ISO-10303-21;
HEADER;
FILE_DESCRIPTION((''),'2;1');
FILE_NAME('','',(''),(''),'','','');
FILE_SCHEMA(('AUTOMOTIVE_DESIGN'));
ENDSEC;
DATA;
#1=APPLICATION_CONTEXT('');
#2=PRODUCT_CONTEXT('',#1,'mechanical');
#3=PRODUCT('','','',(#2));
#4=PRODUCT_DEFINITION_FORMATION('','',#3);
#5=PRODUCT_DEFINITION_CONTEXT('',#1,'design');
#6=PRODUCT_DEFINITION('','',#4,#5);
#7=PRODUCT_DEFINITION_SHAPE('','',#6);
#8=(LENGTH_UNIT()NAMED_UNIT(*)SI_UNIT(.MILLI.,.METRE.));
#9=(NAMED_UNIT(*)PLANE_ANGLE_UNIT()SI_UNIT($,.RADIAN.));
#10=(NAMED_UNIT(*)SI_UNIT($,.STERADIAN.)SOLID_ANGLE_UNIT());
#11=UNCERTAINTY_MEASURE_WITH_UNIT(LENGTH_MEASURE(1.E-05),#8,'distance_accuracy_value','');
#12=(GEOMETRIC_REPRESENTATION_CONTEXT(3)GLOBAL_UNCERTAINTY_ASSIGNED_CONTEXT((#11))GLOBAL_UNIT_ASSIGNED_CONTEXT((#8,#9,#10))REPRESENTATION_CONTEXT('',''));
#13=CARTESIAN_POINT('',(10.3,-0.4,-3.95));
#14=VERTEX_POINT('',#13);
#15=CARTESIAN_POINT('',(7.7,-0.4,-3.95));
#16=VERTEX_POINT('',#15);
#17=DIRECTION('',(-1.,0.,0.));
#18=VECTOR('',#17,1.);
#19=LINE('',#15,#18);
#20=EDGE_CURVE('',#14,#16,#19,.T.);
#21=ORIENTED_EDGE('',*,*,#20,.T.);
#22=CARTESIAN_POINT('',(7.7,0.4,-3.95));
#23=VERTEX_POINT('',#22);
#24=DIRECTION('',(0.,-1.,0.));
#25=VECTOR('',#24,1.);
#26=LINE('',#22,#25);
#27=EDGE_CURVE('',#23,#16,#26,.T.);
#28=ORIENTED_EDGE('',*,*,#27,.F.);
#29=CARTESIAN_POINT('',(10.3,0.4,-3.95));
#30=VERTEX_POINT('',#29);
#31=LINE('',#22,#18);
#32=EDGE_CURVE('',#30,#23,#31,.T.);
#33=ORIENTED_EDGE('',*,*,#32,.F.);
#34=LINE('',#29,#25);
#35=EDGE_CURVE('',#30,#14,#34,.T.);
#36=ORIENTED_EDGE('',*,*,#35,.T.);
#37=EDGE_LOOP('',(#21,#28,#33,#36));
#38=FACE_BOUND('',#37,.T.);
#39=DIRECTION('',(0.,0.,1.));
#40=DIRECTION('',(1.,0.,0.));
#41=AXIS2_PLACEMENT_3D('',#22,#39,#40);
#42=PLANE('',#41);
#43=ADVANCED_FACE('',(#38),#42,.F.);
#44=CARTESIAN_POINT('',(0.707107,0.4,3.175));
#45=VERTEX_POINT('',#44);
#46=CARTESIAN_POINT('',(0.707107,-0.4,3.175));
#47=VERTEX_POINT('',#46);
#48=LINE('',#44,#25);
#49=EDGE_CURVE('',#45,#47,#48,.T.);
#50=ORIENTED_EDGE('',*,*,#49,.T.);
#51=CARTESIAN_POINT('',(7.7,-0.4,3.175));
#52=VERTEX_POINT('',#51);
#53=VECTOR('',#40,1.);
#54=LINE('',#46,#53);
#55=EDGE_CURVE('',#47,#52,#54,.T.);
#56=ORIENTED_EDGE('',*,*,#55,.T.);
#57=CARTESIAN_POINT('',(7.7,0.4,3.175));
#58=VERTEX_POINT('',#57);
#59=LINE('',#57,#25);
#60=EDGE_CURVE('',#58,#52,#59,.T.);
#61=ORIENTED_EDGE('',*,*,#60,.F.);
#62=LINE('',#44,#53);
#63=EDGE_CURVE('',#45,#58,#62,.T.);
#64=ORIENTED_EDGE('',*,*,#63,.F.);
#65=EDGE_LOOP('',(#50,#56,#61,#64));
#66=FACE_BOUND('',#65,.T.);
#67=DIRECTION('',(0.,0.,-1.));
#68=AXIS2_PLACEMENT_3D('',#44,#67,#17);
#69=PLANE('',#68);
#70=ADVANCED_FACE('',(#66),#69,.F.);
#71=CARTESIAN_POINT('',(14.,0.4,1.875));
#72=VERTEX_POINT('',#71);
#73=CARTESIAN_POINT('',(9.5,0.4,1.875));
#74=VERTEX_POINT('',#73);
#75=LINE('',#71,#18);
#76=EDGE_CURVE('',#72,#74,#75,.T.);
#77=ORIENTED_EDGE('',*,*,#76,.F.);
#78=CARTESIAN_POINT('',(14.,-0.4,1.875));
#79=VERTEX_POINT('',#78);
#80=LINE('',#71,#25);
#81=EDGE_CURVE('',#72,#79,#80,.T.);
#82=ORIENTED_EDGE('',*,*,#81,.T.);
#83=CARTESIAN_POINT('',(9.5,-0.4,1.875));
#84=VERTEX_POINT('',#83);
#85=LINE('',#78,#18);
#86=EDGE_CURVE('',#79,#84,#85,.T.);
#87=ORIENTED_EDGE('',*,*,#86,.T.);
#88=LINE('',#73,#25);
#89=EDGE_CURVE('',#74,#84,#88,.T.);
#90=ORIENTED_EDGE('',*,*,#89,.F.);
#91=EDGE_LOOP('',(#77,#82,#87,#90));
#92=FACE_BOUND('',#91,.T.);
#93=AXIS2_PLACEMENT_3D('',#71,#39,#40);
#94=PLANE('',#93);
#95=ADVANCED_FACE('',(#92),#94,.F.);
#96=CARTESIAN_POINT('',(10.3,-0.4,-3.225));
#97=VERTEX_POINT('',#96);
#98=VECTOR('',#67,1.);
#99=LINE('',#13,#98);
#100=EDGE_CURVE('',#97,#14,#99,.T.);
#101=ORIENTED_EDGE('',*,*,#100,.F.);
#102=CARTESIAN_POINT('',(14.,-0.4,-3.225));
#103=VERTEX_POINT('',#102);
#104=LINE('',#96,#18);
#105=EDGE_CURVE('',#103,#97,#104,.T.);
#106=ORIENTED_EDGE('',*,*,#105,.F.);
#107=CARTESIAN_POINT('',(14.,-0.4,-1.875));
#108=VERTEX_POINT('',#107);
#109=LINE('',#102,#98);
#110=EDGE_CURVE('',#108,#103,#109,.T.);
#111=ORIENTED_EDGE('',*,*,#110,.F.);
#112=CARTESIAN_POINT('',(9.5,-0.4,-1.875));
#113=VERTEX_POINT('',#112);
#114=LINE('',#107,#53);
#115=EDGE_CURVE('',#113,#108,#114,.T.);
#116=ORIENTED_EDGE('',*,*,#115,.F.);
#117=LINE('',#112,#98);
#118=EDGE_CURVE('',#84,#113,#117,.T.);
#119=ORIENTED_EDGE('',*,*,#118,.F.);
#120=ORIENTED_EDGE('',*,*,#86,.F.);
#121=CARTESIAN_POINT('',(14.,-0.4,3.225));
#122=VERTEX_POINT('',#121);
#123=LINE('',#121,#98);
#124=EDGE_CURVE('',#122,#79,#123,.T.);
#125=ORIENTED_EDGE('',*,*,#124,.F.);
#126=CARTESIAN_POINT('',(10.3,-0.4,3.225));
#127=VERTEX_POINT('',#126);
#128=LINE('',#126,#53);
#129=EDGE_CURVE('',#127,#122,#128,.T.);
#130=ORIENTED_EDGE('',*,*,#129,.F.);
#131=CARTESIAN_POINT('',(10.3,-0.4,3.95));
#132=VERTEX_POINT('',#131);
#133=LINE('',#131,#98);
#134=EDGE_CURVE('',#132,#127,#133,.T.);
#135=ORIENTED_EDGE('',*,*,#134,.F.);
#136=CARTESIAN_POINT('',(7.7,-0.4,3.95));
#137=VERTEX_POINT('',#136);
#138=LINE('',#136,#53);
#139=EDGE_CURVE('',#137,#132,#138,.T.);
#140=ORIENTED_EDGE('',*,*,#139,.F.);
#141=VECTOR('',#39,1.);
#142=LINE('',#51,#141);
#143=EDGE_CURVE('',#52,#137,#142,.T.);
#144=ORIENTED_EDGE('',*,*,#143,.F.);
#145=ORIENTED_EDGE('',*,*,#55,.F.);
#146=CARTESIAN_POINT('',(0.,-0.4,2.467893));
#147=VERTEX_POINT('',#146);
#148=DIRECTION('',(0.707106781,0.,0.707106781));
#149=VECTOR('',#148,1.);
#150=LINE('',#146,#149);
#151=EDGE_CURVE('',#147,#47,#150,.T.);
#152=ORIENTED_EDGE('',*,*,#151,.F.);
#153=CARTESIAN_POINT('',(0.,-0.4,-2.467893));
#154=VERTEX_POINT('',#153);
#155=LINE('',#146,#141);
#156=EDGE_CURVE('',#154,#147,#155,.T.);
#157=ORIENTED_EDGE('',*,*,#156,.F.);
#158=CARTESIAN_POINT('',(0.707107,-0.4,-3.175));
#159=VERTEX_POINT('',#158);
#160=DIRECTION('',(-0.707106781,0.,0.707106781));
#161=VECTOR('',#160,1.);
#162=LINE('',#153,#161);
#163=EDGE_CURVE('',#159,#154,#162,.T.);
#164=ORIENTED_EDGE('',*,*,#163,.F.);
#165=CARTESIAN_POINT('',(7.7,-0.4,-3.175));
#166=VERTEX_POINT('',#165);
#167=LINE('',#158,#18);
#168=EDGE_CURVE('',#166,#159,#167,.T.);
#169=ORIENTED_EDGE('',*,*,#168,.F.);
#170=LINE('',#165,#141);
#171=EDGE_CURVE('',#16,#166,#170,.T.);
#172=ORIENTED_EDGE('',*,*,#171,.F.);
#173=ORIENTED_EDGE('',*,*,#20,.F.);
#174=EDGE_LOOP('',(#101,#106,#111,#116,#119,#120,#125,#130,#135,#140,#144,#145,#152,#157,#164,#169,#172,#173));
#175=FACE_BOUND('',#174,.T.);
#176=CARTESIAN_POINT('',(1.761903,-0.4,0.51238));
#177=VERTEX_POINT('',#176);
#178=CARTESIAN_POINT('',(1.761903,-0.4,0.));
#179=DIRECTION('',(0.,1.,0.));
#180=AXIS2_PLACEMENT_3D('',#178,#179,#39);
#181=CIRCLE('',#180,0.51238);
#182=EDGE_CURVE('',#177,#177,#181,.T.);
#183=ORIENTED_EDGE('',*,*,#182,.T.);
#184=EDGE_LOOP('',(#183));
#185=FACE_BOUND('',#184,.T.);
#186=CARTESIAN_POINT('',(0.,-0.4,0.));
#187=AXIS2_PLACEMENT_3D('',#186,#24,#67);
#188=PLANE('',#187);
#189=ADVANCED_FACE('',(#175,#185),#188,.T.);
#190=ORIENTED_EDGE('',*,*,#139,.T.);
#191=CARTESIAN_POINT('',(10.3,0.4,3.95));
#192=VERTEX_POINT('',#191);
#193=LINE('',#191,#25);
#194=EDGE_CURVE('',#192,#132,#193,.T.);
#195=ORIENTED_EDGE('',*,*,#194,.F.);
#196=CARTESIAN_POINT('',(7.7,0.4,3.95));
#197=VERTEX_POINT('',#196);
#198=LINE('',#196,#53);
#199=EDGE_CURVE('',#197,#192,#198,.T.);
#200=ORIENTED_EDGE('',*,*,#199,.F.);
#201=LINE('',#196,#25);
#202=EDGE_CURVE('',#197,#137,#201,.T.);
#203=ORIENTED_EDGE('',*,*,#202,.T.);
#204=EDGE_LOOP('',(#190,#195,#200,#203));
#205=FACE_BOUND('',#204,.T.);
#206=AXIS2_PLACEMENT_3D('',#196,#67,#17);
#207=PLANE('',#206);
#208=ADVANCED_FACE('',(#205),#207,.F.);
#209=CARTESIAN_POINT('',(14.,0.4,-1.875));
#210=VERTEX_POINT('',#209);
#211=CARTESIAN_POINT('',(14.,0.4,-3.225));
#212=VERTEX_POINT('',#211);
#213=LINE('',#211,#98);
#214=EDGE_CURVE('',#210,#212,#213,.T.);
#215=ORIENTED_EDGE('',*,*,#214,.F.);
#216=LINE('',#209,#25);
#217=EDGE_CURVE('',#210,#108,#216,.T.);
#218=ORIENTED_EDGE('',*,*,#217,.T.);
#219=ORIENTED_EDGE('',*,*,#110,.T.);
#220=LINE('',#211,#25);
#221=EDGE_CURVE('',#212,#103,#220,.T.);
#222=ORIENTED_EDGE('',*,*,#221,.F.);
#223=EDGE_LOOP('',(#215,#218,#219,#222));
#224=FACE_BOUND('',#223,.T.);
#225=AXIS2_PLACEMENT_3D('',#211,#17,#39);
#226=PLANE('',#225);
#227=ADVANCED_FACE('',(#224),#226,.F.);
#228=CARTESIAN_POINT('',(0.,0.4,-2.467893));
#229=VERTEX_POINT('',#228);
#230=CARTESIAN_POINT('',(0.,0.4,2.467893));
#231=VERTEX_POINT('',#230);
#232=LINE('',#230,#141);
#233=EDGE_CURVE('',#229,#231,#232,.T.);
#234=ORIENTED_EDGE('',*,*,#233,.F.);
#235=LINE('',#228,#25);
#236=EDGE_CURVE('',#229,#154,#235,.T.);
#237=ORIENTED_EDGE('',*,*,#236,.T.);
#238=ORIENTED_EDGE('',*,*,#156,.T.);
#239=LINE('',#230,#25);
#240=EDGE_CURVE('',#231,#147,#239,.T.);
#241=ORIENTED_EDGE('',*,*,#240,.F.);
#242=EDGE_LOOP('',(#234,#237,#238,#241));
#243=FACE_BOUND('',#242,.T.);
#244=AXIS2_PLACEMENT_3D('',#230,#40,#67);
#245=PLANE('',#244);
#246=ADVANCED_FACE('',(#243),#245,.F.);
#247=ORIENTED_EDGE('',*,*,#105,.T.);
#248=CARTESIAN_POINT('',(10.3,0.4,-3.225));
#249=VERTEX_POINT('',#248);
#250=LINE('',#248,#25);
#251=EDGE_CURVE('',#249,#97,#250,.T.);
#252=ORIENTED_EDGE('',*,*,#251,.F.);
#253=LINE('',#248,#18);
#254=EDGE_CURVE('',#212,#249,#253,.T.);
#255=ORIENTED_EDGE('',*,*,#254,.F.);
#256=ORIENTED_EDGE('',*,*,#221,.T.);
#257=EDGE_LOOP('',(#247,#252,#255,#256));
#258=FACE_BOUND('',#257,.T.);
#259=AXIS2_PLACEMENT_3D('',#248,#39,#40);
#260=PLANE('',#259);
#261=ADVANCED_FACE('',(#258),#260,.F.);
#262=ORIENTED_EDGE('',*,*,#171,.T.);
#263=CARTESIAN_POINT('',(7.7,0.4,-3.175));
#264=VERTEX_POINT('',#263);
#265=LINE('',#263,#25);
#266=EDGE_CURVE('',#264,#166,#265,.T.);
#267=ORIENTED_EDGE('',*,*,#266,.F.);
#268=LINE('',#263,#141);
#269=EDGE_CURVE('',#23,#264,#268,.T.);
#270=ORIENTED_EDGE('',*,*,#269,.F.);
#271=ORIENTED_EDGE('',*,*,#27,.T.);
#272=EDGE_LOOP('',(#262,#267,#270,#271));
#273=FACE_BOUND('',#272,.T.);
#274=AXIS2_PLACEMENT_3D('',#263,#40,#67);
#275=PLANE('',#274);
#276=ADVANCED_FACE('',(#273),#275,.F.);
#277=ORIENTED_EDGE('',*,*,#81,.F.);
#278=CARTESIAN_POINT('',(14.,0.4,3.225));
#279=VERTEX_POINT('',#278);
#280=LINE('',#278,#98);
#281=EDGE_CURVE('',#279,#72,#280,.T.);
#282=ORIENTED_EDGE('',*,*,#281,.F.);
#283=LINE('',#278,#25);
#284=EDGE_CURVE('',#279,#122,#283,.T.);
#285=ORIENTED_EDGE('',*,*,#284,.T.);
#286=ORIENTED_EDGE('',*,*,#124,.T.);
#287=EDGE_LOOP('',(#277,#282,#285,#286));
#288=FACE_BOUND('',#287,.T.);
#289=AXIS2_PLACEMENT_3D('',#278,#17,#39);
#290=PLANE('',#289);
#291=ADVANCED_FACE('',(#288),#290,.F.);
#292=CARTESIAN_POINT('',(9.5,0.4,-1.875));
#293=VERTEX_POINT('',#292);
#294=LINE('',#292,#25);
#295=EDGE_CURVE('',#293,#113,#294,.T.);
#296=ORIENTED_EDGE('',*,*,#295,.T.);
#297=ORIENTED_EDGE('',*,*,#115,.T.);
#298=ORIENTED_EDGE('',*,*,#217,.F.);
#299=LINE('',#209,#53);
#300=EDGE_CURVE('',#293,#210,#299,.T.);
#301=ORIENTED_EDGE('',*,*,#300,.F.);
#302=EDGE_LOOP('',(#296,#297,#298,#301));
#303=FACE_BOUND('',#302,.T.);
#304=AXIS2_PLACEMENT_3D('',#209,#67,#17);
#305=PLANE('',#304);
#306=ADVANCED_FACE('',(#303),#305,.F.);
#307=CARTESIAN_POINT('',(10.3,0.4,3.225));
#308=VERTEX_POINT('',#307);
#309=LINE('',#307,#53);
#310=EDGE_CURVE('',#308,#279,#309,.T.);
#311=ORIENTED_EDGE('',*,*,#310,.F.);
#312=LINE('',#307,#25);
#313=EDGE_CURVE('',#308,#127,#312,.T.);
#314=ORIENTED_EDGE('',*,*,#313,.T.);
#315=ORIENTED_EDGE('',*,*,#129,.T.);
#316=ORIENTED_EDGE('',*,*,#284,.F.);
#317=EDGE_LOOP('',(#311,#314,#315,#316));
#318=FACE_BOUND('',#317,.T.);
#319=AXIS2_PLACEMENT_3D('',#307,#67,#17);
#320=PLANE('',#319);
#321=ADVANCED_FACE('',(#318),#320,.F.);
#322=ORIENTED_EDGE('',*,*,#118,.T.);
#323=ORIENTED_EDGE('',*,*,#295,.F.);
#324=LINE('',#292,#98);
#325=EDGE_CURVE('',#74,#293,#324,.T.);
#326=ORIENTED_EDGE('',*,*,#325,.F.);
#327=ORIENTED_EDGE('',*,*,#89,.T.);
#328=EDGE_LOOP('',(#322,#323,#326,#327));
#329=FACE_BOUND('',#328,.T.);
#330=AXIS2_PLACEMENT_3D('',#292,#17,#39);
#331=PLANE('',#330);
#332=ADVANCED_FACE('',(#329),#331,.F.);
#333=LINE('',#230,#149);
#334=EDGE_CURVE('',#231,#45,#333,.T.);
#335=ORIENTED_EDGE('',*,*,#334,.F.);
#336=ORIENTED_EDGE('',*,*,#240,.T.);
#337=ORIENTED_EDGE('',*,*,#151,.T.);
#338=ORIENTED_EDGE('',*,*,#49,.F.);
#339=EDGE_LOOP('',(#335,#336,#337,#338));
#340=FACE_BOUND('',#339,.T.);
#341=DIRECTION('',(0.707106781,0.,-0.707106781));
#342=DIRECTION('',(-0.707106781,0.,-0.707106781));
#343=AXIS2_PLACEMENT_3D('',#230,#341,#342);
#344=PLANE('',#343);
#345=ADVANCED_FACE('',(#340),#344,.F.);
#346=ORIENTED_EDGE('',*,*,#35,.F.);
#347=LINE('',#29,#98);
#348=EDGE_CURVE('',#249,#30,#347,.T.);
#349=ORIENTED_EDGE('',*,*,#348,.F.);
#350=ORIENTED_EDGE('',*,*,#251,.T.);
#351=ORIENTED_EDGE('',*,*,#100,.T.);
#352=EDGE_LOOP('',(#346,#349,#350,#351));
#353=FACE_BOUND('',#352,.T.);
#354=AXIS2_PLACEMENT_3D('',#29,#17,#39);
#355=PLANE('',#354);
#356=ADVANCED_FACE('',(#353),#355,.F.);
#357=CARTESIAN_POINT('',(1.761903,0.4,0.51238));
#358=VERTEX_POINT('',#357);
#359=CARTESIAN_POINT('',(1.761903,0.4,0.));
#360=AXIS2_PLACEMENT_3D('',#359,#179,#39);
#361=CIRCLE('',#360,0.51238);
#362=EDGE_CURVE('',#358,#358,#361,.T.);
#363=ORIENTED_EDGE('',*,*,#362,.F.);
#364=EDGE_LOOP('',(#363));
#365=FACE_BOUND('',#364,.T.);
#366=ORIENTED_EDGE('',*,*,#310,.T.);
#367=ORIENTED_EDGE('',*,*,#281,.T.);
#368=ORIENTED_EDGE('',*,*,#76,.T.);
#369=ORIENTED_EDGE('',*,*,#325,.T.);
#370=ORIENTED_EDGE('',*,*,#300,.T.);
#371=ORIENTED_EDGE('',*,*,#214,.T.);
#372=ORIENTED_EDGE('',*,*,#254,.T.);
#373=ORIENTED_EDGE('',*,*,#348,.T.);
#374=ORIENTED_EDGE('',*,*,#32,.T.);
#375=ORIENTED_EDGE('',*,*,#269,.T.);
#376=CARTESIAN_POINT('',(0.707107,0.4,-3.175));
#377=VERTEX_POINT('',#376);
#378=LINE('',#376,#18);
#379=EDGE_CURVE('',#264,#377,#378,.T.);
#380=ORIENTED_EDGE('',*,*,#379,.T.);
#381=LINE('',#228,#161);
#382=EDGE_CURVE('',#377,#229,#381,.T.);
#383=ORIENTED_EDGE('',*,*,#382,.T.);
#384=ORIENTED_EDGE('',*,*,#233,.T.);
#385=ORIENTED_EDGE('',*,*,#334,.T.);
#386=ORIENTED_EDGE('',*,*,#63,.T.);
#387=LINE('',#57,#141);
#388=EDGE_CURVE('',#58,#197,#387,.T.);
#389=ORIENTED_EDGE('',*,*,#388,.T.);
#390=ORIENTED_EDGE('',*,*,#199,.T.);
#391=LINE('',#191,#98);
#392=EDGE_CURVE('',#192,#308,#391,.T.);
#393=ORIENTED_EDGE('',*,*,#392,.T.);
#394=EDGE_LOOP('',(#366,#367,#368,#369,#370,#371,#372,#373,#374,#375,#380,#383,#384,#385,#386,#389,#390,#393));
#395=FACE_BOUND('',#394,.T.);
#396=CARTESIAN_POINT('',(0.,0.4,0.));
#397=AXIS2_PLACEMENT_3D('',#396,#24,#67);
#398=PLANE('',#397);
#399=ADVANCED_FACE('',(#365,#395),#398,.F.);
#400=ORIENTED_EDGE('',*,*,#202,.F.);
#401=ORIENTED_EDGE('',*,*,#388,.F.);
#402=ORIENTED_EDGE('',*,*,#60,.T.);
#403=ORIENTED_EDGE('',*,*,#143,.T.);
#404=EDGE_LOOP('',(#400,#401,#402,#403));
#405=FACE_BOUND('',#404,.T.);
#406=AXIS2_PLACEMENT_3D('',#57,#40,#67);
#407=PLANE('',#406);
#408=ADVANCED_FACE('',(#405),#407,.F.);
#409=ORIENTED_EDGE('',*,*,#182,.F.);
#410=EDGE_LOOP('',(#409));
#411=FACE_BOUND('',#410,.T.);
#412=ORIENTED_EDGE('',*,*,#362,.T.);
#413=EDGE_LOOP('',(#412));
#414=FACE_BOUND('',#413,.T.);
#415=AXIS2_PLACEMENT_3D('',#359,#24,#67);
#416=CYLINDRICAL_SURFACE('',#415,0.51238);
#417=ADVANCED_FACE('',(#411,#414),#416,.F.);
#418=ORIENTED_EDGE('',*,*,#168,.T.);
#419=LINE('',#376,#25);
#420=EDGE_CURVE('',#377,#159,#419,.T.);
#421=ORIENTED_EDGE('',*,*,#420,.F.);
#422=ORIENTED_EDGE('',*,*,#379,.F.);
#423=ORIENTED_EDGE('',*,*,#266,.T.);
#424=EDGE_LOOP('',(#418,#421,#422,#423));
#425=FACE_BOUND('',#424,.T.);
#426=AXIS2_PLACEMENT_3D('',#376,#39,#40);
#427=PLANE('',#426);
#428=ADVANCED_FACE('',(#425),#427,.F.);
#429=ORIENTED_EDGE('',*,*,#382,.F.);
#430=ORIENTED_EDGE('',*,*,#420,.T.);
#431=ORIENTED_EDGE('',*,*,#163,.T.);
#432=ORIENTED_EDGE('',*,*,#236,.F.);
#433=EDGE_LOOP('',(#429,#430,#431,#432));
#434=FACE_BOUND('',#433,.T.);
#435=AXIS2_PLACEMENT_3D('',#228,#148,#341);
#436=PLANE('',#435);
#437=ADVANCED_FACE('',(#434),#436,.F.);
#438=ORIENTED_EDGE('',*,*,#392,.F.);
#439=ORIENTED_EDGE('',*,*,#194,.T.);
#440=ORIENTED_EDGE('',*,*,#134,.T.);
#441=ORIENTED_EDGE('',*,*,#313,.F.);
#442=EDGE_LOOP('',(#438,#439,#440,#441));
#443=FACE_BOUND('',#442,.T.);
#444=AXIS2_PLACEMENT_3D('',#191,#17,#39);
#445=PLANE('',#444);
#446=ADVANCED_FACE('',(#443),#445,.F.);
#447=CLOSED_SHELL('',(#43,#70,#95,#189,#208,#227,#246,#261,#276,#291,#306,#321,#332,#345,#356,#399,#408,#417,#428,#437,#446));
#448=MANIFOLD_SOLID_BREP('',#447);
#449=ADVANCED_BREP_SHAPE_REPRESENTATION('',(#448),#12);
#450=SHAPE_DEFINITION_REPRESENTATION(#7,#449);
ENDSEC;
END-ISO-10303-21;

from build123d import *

# Parameters (mm, degrees)
SKETCH_1_R      = 0.512380356
EXTRUDE_1_DEPTH = 0.4


with BuildPart() as part:
    # Эскиз1 → Бобышка-Вытянуть1 (new, symmetric)
    with BuildSketch(Plane(origin=(0, 0, 0), x_dir=(1, 0, 0), z_dir=(0, 1, 0))):
        Polygon((0, -2.467893219), (0, 2.467893219), (0.707106781, 3.175), (7.7, 3.175), (7.7, 3.95), (10.3, 3.95), (10.3, 3.225), (14, 3.225), (14, 1.875), (9.5, 1.875), (9.5, -1.875), (14, -1.875), (14, -3.225), (10.3, -3.225), (10.3, -3.95), (7.7, -3.95), (7.7, -3.175), (0.707106781, -3.175), align=None)
        with Locations(Location((1.761903111, 0, 0), (0, 0, 270))):
            Circle(SKETCH_1_R, mode=Mode.SUBTRACT)
    extrude(amount=EXTRUDE_1_DEPTH, both=True)


solid = part.part
